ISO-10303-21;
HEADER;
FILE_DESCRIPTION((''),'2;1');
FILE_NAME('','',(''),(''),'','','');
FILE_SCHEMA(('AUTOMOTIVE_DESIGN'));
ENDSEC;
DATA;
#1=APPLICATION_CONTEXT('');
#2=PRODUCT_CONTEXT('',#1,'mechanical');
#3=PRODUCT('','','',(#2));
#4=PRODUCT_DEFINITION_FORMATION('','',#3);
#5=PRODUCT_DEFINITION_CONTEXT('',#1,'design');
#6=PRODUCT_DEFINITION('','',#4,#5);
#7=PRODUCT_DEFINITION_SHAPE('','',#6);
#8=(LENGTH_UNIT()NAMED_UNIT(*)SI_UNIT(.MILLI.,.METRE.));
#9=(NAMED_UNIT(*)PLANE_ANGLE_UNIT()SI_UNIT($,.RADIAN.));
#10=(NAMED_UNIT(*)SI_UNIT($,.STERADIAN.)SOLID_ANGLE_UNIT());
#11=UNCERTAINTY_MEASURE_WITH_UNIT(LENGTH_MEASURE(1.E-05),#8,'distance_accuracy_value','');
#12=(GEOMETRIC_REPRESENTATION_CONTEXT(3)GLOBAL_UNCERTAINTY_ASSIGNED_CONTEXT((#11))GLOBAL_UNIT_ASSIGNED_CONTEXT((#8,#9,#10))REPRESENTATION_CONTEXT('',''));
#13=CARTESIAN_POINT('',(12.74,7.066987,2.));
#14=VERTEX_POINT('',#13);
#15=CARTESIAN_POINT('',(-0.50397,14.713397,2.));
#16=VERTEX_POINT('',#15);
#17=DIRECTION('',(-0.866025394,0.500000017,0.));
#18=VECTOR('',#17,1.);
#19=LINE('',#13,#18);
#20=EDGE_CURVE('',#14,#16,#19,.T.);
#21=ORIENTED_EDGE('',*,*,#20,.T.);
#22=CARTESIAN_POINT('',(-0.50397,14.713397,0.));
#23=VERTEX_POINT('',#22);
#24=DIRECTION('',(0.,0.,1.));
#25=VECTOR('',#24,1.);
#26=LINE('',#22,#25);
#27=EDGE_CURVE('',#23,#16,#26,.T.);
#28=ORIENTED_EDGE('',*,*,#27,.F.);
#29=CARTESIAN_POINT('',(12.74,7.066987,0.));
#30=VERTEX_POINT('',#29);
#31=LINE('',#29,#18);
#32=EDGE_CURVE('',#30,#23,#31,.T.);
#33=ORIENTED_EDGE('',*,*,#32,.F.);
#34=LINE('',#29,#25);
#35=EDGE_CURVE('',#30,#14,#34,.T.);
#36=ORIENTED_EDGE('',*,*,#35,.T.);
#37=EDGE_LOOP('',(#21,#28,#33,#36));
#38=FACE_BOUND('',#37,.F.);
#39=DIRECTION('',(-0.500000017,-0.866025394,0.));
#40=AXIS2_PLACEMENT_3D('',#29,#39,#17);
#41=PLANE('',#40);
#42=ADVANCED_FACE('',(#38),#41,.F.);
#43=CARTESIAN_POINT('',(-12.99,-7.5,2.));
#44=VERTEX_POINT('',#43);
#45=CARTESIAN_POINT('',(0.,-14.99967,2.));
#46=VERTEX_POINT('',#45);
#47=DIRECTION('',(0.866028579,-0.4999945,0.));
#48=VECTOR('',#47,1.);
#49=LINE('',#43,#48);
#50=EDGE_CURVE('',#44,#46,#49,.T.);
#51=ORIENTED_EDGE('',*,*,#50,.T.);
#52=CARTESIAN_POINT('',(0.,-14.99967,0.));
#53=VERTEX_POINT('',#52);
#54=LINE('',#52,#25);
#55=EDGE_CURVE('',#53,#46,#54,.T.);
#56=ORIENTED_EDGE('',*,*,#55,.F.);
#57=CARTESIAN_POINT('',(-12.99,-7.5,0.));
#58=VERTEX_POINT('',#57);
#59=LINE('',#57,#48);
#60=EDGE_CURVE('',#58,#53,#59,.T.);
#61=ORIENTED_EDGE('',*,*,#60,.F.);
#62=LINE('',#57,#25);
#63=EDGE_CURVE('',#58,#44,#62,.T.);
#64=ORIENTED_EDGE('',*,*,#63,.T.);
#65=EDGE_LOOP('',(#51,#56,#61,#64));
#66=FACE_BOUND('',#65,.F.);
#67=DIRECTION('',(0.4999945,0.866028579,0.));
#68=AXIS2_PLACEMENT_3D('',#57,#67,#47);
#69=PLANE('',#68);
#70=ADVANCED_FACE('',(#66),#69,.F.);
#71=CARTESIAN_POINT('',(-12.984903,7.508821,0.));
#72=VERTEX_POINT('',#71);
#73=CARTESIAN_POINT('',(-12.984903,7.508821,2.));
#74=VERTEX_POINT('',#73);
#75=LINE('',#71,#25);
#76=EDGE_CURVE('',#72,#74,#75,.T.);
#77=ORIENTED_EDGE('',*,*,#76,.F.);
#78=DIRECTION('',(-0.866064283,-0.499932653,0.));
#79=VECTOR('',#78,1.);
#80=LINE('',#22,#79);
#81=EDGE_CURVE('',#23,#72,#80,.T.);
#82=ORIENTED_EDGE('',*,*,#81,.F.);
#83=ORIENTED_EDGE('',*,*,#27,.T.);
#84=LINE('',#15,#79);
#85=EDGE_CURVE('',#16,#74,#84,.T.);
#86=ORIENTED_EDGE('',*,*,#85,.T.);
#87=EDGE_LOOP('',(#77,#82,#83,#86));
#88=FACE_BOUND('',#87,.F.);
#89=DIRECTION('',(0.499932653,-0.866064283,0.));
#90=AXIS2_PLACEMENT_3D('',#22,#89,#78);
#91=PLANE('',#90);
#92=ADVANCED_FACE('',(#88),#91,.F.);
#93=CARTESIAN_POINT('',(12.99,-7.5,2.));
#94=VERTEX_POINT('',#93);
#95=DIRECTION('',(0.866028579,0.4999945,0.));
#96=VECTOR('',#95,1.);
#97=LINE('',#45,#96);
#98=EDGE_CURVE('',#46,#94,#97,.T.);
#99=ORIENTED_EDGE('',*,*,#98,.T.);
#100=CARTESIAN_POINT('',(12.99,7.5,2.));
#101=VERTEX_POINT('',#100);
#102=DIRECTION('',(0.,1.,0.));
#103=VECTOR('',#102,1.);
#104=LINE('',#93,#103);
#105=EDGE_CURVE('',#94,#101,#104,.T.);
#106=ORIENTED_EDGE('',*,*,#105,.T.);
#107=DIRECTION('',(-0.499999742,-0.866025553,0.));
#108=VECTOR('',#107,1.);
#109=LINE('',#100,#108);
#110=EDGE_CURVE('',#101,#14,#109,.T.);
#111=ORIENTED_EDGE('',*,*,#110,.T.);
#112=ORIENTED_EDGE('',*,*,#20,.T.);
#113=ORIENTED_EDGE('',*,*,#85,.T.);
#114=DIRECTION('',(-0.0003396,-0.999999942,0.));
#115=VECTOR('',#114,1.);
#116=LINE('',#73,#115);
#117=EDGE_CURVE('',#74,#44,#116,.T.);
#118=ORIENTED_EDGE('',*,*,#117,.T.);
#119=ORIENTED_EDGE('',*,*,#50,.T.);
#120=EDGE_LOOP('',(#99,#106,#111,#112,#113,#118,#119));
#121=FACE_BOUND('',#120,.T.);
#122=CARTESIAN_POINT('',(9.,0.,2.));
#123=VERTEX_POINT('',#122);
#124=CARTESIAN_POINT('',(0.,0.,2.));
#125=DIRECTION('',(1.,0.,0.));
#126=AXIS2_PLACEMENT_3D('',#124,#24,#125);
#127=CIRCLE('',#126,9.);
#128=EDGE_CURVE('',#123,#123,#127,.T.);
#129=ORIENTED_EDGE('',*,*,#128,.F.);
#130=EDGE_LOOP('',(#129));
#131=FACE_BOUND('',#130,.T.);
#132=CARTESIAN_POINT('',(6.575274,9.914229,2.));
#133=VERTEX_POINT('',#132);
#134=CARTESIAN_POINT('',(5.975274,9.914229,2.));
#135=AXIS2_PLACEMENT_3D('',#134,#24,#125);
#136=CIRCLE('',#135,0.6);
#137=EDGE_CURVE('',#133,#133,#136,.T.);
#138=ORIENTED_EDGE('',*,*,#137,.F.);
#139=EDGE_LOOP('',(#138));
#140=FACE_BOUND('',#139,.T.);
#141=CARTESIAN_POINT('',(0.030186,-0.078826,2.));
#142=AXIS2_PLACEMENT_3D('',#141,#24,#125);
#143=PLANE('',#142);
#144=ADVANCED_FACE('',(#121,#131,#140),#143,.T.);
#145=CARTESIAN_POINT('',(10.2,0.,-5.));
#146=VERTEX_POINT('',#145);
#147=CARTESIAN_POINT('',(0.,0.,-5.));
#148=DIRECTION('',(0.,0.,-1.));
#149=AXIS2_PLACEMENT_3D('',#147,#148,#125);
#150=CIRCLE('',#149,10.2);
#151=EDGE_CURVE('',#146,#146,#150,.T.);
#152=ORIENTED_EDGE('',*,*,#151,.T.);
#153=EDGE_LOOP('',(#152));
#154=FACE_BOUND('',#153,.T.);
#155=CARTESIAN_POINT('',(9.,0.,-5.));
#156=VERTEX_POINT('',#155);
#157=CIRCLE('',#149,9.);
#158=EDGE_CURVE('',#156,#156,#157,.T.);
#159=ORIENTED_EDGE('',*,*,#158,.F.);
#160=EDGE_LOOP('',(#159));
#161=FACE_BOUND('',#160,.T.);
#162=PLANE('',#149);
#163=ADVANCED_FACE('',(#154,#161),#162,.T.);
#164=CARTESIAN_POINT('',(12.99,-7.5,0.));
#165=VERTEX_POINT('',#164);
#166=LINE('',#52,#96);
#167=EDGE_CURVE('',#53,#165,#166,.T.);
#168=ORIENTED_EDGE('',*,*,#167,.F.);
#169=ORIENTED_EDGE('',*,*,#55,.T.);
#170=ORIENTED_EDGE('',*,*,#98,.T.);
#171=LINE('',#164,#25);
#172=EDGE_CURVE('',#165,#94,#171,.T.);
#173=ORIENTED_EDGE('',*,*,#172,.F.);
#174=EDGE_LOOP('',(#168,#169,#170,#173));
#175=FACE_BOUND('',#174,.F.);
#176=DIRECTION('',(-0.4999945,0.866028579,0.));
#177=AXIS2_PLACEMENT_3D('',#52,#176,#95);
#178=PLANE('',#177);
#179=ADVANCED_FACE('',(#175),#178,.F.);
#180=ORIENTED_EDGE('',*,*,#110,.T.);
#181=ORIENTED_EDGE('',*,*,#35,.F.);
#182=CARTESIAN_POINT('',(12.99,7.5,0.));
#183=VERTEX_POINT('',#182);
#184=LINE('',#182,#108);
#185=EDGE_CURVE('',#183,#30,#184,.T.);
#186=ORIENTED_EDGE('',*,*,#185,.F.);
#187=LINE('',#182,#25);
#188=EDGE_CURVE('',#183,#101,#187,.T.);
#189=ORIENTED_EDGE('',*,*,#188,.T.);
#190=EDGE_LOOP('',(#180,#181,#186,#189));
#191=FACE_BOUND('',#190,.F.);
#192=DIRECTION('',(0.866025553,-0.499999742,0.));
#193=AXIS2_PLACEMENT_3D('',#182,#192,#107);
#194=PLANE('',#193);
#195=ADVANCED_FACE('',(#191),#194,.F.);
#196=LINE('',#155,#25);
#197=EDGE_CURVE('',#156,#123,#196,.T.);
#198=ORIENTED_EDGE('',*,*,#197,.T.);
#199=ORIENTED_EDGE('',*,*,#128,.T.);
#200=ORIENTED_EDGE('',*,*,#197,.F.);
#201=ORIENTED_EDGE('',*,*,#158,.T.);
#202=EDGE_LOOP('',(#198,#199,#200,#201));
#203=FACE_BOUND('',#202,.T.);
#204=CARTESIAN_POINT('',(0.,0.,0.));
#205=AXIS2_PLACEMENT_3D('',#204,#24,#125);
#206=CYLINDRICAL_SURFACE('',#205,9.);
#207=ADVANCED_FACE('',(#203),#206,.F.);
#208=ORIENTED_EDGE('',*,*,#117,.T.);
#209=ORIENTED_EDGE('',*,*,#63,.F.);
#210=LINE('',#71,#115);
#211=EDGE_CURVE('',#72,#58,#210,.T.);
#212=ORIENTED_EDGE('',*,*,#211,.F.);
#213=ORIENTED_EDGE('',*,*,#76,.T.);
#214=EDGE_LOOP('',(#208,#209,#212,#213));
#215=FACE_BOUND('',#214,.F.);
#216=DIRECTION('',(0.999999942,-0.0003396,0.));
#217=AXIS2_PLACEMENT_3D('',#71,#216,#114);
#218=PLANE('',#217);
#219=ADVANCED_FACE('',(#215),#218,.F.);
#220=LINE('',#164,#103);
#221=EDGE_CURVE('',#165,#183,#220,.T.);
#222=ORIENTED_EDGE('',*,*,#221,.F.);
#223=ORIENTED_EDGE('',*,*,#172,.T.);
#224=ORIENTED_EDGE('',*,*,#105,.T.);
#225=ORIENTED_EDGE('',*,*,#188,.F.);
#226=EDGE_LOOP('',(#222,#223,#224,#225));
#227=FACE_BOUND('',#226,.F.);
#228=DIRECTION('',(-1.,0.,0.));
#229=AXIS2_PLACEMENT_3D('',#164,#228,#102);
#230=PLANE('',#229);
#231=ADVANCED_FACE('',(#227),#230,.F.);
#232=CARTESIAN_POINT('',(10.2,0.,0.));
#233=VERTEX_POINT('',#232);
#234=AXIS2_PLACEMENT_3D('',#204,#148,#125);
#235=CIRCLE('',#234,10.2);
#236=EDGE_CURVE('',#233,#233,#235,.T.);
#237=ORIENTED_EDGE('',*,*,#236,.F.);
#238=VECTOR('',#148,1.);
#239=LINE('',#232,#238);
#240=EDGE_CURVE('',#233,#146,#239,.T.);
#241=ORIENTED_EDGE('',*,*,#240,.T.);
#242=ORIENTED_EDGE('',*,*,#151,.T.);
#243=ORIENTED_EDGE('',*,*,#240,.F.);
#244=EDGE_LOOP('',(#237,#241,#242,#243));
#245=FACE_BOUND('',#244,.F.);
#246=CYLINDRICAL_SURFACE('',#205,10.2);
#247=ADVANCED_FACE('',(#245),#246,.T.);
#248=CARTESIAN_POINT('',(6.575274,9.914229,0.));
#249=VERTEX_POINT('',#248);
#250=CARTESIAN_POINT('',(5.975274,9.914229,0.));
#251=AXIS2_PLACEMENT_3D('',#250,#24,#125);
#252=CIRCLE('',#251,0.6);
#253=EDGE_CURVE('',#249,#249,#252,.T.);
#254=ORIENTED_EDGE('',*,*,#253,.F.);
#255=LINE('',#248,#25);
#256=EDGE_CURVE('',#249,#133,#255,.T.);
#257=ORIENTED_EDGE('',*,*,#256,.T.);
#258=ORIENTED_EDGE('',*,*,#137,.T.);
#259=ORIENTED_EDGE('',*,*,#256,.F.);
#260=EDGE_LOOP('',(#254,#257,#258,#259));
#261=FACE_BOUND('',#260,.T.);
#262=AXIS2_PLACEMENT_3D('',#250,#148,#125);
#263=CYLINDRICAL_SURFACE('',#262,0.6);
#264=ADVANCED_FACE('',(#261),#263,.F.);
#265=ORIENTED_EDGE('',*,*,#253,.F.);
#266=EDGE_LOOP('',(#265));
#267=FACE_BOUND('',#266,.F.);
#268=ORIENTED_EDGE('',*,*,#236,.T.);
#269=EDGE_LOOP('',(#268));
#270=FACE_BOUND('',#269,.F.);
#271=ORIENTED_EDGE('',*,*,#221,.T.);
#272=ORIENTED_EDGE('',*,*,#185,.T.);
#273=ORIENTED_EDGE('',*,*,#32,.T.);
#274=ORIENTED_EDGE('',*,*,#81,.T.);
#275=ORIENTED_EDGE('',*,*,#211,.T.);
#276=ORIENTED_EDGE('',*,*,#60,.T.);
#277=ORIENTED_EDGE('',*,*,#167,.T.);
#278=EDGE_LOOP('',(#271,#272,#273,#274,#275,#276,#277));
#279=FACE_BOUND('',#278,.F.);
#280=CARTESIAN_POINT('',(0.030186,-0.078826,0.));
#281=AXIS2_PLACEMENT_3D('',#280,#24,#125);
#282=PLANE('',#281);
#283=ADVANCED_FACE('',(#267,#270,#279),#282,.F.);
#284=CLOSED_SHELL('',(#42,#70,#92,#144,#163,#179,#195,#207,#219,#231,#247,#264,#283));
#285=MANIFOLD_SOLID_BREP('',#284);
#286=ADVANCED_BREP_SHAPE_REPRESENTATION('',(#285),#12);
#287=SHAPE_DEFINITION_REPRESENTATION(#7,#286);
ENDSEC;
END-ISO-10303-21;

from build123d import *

# Parameters (mm, degrees)
SKETCH_R      = 9
SKETCH_R_2    = 0.6
PAD_DEPTH     = 2
SKETCH001_R   = 10.2
SKETCH001_R_2 = 9
PAD001_DEPTH  = 5


with BuildPart() as part:
    # Sketch → Pad (new body)
    with BuildSketch(Plane.XY):
        Polygon((-0.50397, 14.713397), (-12.984903, 7.508821), (-12.99, -7.5), (0, -14.99967), (12.99, -7.5), (12.99, 7.5), (12.74, 7.066987), align=None)
        Circle(SKETCH_R, mode=Mode.SUBTRACT)
        with Locations((5.975274, 9.914229)):
            Circle(SKETCH_R_2, mode=Mode.SUBTRACT)
    extrude(amount=PAD_DEPTH)

    # Sketch001 (on Face10 of Pad) → Pad001 (join)
    with BuildSketch(Plane(origin=(0, 0, 0), x_dir=(1, 0, 0), z_dir=(0, 0, -1))):
        Circle(SKETCH001_R)
        Circle(SKETCH001_R_2, mode=Mode.SUBTRACT)
    extrude(amount=PAD001_DEPTH)


solid = part.part
